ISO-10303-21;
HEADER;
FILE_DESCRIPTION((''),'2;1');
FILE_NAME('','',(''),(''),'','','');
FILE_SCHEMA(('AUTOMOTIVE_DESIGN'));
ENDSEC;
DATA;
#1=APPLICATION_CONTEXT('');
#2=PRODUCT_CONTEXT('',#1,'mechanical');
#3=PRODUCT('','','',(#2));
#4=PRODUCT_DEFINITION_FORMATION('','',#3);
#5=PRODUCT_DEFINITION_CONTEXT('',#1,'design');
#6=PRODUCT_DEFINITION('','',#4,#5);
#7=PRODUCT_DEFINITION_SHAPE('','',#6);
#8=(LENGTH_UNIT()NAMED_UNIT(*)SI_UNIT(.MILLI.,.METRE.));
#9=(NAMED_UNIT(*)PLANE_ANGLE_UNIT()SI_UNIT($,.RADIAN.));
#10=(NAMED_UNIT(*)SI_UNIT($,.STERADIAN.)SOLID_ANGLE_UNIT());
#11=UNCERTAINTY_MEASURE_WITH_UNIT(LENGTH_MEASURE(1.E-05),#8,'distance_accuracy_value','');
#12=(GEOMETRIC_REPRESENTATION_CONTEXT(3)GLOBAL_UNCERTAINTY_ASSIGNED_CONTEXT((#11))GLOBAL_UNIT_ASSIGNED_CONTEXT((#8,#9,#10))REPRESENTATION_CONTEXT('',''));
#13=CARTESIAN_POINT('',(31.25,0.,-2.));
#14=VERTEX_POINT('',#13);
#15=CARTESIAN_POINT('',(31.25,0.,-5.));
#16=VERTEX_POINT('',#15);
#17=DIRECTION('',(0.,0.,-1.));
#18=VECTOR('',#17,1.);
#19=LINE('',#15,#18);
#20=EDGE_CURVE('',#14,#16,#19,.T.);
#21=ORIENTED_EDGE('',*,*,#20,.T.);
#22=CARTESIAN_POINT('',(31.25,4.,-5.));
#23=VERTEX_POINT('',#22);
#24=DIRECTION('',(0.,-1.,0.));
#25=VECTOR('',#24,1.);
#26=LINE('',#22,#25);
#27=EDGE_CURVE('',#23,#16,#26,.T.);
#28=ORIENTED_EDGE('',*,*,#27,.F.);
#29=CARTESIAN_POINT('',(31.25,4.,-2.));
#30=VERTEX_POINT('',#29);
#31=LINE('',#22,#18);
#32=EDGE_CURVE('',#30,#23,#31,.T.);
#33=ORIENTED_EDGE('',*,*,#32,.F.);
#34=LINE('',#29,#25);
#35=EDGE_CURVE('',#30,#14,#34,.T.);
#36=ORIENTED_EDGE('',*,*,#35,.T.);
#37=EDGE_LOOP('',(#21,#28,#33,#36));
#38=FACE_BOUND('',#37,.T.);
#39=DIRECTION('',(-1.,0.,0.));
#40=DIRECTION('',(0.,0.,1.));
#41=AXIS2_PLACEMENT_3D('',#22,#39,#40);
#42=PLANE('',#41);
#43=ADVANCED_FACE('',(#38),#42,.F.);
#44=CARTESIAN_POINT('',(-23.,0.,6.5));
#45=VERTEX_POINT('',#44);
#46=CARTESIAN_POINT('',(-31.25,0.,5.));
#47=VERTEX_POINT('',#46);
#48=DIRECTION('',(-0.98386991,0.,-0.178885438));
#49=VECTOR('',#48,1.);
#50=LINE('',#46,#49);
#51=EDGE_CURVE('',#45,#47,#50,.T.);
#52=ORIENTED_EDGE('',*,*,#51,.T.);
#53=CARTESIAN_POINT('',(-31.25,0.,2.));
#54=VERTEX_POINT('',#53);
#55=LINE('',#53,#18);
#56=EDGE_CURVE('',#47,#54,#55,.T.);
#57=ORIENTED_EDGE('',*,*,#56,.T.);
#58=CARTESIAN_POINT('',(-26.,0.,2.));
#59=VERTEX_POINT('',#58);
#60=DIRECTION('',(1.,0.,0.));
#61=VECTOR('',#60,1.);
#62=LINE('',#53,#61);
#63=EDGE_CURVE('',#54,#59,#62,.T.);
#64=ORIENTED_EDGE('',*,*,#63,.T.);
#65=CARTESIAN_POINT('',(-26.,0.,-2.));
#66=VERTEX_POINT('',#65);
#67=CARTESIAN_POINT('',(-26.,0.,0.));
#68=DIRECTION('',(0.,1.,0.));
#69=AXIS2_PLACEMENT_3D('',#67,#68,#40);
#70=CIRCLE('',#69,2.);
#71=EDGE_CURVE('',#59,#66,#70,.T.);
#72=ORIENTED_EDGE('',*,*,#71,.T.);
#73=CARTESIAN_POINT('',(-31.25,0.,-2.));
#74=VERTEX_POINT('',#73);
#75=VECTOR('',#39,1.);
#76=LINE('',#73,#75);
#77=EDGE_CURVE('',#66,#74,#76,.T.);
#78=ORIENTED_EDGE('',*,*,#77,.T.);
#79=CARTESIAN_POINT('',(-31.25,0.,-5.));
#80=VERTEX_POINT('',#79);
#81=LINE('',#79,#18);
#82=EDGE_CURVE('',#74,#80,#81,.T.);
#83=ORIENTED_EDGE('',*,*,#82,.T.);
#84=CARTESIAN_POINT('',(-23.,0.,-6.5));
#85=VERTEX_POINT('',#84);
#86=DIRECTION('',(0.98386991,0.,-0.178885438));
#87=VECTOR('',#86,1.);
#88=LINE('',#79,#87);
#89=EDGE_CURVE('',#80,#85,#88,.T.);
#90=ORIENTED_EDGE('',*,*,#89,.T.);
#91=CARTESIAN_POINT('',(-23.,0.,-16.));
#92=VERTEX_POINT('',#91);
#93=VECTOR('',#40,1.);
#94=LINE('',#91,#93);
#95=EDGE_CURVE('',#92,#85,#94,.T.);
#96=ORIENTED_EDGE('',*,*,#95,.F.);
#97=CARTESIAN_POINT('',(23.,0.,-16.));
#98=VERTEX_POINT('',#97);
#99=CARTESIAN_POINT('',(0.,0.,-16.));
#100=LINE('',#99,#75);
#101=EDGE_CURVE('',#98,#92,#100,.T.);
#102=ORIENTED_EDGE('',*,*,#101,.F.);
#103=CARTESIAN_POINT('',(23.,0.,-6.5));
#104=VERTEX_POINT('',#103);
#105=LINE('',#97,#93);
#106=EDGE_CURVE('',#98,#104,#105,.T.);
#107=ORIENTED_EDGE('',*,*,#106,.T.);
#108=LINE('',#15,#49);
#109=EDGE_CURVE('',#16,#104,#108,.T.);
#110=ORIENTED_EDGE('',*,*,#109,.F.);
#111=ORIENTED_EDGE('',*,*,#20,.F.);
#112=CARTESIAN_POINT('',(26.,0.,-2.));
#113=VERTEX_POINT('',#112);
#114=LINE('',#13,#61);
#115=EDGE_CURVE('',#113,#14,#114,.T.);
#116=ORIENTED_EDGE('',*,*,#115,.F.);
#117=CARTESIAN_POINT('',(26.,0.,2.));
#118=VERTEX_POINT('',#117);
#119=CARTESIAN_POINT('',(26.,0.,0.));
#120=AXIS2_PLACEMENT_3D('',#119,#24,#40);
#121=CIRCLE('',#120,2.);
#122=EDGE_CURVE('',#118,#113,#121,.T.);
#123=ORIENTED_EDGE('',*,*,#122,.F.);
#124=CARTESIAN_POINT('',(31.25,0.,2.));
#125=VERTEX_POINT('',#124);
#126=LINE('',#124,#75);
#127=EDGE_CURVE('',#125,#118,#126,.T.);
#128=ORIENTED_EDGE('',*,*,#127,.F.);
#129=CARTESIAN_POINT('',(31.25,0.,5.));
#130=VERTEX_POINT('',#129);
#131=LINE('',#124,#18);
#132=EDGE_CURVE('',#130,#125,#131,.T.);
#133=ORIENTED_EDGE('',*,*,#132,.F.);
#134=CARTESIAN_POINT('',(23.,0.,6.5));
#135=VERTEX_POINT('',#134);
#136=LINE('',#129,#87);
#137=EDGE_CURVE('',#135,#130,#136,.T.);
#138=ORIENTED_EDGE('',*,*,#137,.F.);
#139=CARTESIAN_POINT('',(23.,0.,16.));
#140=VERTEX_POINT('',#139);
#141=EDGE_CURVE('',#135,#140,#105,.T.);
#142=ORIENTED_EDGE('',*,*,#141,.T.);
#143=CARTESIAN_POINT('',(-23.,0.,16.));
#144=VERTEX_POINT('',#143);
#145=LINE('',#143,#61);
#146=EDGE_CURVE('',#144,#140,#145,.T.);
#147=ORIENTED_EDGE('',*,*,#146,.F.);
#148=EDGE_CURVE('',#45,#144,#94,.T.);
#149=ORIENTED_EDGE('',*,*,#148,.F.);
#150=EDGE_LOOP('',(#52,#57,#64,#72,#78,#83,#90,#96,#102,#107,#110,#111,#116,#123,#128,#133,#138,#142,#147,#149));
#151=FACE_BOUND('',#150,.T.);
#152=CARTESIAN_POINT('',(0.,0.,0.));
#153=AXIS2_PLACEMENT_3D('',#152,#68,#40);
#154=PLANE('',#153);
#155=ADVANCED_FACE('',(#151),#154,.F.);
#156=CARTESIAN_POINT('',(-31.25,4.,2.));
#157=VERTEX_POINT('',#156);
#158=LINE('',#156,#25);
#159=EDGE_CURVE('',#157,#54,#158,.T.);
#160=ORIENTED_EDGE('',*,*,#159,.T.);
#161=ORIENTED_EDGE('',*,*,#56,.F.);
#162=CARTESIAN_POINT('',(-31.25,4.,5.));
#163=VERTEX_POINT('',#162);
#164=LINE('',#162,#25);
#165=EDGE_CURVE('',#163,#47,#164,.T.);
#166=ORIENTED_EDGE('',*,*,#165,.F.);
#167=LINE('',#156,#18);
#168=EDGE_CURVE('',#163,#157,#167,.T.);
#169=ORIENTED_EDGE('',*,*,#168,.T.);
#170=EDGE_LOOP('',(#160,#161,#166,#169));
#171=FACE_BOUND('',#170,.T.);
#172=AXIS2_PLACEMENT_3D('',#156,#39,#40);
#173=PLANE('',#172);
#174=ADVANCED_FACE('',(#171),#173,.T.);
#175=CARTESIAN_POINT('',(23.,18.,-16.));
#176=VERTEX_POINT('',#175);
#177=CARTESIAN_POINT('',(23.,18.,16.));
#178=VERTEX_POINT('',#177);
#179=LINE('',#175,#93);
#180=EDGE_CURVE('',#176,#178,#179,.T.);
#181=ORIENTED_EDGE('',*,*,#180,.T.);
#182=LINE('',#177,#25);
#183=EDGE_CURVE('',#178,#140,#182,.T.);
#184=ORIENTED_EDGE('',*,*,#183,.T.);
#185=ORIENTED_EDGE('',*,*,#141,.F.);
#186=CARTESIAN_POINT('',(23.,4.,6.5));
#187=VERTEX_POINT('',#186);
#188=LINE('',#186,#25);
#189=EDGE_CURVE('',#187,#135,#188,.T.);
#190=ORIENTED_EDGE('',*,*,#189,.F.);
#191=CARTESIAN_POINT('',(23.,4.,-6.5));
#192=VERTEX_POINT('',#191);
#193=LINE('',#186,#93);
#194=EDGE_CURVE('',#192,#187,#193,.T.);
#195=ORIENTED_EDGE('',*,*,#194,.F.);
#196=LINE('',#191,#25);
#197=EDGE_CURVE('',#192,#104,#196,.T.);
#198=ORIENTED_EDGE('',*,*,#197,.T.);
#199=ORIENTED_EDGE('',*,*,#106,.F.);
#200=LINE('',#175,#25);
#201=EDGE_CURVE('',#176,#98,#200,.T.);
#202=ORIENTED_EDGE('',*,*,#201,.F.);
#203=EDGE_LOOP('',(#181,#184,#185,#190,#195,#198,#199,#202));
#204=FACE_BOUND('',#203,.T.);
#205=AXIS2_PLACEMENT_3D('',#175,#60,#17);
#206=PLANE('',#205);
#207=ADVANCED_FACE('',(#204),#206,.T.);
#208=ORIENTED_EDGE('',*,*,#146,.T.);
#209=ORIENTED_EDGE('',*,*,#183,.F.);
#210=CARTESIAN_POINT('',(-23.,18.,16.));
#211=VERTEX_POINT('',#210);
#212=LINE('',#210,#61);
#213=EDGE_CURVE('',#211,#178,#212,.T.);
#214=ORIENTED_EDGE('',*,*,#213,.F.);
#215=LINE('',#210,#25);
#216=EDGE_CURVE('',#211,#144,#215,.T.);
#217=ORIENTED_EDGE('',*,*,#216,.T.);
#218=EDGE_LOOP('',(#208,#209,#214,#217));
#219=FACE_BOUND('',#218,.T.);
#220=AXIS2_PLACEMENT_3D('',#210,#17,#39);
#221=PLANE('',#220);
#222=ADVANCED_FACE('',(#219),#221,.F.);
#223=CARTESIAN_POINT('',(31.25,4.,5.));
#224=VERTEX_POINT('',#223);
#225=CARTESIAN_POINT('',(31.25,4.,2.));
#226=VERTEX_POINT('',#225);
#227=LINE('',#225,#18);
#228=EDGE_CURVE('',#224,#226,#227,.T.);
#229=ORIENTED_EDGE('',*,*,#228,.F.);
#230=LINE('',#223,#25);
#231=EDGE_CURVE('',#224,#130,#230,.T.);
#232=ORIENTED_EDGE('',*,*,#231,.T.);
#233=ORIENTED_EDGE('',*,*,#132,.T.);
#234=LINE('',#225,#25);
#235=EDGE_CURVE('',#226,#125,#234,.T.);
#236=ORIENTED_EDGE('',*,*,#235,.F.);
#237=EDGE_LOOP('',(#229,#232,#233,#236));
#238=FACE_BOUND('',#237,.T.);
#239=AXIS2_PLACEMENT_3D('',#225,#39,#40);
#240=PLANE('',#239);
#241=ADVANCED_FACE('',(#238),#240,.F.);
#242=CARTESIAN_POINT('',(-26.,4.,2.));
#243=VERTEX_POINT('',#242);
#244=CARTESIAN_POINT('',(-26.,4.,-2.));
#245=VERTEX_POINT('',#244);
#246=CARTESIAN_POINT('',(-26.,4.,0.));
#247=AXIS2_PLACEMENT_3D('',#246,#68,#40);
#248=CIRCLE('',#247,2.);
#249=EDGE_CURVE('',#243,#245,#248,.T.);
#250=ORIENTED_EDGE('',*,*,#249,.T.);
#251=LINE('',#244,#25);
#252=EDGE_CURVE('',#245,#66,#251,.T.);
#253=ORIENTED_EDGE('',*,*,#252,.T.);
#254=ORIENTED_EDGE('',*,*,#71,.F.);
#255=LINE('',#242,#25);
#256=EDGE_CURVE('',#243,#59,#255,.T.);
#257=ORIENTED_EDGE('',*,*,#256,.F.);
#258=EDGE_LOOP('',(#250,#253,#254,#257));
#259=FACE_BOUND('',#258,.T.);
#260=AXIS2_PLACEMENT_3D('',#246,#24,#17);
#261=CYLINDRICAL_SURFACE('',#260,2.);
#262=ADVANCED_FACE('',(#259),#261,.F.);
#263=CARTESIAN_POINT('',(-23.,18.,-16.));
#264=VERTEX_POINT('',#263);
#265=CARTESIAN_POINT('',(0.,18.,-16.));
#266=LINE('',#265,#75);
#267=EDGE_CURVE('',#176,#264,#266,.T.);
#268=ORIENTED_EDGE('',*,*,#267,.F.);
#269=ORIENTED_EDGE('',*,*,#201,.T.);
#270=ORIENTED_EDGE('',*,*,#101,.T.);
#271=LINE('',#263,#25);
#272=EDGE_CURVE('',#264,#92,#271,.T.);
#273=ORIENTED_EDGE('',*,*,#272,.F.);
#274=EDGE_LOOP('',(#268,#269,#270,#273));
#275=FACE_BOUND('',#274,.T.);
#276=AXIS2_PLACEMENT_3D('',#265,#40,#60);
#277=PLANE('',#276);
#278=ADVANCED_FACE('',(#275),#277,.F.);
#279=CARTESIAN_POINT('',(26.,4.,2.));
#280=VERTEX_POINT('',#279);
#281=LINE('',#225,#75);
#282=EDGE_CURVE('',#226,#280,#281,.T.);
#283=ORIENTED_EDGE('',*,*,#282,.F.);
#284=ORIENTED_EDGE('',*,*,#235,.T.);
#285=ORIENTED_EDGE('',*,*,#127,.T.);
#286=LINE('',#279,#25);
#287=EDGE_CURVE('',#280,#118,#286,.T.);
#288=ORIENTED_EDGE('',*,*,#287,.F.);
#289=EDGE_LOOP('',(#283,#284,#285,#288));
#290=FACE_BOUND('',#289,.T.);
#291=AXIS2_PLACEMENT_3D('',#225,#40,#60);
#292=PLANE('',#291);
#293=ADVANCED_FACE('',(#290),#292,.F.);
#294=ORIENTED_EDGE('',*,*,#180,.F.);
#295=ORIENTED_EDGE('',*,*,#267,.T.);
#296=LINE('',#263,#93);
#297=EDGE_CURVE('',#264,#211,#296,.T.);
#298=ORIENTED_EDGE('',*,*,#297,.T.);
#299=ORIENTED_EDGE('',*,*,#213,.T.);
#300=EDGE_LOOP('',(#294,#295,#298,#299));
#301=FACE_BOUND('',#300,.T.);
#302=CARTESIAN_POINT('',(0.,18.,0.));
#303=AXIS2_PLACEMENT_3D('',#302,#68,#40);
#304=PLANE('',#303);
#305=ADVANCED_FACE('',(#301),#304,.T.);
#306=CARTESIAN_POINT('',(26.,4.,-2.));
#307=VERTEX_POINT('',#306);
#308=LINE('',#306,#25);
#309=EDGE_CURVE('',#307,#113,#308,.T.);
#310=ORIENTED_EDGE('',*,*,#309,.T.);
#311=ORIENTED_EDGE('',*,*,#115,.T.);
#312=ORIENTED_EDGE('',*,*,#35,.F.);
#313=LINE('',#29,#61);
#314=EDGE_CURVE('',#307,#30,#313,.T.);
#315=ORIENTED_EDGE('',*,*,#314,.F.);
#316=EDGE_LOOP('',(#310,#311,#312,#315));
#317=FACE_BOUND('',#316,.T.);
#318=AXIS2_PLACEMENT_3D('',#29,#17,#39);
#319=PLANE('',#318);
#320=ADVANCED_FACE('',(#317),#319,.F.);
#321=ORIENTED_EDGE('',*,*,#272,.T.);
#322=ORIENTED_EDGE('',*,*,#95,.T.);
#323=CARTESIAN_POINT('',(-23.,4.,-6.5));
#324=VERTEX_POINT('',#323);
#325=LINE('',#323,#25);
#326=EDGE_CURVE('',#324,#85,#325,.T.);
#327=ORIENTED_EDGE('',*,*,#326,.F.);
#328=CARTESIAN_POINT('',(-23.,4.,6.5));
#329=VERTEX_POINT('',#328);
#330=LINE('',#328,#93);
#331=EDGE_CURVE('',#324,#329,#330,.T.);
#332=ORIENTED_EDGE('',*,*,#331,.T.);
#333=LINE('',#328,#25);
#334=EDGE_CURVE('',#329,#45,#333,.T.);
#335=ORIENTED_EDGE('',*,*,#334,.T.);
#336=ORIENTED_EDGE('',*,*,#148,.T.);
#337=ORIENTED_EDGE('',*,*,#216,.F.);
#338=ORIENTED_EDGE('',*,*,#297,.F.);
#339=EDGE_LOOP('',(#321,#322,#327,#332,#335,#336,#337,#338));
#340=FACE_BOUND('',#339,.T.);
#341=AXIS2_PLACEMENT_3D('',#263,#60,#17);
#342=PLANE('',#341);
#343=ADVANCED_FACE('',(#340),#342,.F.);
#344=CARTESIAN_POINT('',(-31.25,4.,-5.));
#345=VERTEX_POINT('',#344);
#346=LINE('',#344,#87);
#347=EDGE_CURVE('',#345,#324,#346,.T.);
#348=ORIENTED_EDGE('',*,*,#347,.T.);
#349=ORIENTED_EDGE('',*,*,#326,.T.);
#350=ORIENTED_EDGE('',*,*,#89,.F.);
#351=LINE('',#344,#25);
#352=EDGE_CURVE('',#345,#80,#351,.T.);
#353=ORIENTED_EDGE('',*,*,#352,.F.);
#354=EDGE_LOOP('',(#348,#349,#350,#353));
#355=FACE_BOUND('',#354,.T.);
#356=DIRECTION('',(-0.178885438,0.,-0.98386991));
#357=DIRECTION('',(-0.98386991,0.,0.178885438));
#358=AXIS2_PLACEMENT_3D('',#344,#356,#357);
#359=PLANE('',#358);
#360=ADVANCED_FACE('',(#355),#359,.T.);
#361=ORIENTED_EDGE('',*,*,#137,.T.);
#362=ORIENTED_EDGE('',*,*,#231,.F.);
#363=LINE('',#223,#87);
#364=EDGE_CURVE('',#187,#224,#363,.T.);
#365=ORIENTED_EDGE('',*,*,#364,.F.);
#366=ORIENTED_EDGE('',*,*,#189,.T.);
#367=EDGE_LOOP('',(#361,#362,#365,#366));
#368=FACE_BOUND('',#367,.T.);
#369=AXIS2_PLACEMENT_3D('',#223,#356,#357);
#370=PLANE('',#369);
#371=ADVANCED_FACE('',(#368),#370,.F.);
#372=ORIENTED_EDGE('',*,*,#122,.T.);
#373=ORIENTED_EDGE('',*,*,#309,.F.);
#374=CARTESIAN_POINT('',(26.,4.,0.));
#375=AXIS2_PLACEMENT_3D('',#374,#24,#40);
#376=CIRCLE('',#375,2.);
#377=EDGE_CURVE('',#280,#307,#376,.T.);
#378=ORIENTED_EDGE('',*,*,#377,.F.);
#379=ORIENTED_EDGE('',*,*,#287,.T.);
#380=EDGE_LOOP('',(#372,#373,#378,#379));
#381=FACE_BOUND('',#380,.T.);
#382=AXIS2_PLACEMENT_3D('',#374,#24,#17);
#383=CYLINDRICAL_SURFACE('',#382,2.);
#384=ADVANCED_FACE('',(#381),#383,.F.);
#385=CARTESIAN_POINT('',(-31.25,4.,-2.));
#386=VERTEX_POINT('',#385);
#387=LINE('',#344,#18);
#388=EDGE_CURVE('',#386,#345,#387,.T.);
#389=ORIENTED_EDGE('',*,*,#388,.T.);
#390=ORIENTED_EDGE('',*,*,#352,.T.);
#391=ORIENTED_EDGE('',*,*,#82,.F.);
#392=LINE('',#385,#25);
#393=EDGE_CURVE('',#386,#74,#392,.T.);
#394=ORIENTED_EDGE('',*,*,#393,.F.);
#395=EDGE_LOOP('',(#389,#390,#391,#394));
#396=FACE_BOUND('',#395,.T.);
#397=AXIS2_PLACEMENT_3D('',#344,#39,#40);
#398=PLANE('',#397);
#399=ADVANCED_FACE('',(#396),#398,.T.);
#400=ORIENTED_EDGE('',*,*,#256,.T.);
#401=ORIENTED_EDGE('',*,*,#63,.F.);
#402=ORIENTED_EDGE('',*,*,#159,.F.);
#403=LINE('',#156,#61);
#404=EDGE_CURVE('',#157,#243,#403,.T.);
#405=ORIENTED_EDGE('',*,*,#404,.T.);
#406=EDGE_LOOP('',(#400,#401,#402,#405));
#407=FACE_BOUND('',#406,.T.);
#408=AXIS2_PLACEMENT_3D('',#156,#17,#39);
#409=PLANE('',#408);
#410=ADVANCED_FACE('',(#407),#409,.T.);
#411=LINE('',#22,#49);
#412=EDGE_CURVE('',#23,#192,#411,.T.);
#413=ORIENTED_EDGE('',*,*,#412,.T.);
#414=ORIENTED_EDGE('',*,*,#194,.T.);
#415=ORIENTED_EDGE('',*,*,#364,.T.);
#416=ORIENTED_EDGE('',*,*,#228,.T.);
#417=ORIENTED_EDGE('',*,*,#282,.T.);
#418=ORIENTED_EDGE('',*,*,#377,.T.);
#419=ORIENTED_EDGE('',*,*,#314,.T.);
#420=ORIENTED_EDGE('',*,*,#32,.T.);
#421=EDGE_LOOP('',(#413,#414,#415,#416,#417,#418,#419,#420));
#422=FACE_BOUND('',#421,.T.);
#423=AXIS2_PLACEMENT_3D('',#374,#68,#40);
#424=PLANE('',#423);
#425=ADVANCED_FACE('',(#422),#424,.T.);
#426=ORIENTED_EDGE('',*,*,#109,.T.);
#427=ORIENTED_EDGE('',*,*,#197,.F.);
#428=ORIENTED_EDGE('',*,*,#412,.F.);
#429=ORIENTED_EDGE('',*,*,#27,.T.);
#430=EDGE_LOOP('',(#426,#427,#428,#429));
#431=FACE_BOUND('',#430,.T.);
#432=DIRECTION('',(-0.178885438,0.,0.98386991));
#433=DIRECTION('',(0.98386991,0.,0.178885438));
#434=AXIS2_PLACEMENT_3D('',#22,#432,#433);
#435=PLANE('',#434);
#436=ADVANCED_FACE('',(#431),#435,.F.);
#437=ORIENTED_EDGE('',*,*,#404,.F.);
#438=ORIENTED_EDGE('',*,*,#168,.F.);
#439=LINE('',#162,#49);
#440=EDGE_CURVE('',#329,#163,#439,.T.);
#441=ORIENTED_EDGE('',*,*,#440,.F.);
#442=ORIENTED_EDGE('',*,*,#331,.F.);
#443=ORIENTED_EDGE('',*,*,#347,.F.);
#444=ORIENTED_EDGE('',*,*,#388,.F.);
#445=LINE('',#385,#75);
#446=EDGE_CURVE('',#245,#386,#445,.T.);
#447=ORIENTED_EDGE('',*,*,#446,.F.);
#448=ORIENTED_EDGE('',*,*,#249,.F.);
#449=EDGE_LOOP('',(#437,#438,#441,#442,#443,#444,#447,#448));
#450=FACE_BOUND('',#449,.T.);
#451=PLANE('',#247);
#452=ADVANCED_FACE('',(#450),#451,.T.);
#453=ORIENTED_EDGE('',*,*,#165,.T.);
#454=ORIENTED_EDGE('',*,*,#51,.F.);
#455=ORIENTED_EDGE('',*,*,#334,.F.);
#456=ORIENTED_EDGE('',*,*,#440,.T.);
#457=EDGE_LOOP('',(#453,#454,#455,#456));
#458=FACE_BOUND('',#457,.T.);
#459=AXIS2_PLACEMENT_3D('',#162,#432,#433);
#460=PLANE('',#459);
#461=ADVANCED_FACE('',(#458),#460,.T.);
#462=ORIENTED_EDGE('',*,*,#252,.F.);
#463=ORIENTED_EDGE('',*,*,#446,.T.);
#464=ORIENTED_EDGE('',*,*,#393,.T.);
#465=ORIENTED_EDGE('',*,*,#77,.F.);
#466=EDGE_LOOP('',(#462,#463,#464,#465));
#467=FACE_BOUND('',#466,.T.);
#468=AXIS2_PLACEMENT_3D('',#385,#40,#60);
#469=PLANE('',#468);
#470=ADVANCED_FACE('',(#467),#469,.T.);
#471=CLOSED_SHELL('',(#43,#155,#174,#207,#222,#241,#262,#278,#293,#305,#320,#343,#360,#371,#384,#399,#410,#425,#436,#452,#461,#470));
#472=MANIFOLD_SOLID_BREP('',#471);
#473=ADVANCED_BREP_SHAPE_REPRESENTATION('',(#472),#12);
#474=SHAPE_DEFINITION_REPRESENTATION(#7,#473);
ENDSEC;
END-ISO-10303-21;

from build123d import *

# Parameters (mm, degrees)
SKETCH1_W           = 23
SKETCH1_H           = 32
BOSS_EXTRUDE1_DEPTH = 18
BOSS_EXTRUDE2_DEPTH = 4


with BuildPart() as part:
    # Sketch1 → Boss-Extrude1 (new body)
    with BuildSketch(Plane(origin=(0, 0, 0), x_dir=(1, 0, 0), z_dir=(0, 1, 0))):
        with Locations((-11.5, 0)):
            Rectangle(SKETCH1_W, SKETCH1_H)
    boss_extrude1 = extrude(amount=BOSS_EXTRUDE1_DEPTH)

    # Sketch2 → Boss-Extrude2 (add)
    with BuildSketch(Plane.XZ):
        with BuildLine():
            Line((-31.25, -5), (-31.25, -2))
            Line((-31.25, -2), (-26, -2))
            ThreePointArc((-26, -2), (-24, 0), (-26, 2))
            Line((-26, 2), (-31.25, 2))
            Line((-31.25, 2), (-31.25, 5))
            Line((-31.25, 5), (-23, 6.5))
            Line((-23, 6.5), (-23, -6.5))
            Line((-23, -6.5), (-31.25, -5))
        make_face()
    boss_extrude2 = extrude(amount=-BOSS_EXTRUDE2_DEPTH)

    # Mirror1: Boss-Extrude1, Boss-Extrude2 across plane
    add(boss_extrude1.mirror(Plane(origin=(0, 18, 16), x_dir=(0, 0, 1), z_dir=(-1, 0, 0))))
    add(boss_extrude2.mirror(Plane(origin=(0, 18, 16), x_dir=(0, 0, 1), z_dir=(-1, 0, 0))))


solid = part.part
